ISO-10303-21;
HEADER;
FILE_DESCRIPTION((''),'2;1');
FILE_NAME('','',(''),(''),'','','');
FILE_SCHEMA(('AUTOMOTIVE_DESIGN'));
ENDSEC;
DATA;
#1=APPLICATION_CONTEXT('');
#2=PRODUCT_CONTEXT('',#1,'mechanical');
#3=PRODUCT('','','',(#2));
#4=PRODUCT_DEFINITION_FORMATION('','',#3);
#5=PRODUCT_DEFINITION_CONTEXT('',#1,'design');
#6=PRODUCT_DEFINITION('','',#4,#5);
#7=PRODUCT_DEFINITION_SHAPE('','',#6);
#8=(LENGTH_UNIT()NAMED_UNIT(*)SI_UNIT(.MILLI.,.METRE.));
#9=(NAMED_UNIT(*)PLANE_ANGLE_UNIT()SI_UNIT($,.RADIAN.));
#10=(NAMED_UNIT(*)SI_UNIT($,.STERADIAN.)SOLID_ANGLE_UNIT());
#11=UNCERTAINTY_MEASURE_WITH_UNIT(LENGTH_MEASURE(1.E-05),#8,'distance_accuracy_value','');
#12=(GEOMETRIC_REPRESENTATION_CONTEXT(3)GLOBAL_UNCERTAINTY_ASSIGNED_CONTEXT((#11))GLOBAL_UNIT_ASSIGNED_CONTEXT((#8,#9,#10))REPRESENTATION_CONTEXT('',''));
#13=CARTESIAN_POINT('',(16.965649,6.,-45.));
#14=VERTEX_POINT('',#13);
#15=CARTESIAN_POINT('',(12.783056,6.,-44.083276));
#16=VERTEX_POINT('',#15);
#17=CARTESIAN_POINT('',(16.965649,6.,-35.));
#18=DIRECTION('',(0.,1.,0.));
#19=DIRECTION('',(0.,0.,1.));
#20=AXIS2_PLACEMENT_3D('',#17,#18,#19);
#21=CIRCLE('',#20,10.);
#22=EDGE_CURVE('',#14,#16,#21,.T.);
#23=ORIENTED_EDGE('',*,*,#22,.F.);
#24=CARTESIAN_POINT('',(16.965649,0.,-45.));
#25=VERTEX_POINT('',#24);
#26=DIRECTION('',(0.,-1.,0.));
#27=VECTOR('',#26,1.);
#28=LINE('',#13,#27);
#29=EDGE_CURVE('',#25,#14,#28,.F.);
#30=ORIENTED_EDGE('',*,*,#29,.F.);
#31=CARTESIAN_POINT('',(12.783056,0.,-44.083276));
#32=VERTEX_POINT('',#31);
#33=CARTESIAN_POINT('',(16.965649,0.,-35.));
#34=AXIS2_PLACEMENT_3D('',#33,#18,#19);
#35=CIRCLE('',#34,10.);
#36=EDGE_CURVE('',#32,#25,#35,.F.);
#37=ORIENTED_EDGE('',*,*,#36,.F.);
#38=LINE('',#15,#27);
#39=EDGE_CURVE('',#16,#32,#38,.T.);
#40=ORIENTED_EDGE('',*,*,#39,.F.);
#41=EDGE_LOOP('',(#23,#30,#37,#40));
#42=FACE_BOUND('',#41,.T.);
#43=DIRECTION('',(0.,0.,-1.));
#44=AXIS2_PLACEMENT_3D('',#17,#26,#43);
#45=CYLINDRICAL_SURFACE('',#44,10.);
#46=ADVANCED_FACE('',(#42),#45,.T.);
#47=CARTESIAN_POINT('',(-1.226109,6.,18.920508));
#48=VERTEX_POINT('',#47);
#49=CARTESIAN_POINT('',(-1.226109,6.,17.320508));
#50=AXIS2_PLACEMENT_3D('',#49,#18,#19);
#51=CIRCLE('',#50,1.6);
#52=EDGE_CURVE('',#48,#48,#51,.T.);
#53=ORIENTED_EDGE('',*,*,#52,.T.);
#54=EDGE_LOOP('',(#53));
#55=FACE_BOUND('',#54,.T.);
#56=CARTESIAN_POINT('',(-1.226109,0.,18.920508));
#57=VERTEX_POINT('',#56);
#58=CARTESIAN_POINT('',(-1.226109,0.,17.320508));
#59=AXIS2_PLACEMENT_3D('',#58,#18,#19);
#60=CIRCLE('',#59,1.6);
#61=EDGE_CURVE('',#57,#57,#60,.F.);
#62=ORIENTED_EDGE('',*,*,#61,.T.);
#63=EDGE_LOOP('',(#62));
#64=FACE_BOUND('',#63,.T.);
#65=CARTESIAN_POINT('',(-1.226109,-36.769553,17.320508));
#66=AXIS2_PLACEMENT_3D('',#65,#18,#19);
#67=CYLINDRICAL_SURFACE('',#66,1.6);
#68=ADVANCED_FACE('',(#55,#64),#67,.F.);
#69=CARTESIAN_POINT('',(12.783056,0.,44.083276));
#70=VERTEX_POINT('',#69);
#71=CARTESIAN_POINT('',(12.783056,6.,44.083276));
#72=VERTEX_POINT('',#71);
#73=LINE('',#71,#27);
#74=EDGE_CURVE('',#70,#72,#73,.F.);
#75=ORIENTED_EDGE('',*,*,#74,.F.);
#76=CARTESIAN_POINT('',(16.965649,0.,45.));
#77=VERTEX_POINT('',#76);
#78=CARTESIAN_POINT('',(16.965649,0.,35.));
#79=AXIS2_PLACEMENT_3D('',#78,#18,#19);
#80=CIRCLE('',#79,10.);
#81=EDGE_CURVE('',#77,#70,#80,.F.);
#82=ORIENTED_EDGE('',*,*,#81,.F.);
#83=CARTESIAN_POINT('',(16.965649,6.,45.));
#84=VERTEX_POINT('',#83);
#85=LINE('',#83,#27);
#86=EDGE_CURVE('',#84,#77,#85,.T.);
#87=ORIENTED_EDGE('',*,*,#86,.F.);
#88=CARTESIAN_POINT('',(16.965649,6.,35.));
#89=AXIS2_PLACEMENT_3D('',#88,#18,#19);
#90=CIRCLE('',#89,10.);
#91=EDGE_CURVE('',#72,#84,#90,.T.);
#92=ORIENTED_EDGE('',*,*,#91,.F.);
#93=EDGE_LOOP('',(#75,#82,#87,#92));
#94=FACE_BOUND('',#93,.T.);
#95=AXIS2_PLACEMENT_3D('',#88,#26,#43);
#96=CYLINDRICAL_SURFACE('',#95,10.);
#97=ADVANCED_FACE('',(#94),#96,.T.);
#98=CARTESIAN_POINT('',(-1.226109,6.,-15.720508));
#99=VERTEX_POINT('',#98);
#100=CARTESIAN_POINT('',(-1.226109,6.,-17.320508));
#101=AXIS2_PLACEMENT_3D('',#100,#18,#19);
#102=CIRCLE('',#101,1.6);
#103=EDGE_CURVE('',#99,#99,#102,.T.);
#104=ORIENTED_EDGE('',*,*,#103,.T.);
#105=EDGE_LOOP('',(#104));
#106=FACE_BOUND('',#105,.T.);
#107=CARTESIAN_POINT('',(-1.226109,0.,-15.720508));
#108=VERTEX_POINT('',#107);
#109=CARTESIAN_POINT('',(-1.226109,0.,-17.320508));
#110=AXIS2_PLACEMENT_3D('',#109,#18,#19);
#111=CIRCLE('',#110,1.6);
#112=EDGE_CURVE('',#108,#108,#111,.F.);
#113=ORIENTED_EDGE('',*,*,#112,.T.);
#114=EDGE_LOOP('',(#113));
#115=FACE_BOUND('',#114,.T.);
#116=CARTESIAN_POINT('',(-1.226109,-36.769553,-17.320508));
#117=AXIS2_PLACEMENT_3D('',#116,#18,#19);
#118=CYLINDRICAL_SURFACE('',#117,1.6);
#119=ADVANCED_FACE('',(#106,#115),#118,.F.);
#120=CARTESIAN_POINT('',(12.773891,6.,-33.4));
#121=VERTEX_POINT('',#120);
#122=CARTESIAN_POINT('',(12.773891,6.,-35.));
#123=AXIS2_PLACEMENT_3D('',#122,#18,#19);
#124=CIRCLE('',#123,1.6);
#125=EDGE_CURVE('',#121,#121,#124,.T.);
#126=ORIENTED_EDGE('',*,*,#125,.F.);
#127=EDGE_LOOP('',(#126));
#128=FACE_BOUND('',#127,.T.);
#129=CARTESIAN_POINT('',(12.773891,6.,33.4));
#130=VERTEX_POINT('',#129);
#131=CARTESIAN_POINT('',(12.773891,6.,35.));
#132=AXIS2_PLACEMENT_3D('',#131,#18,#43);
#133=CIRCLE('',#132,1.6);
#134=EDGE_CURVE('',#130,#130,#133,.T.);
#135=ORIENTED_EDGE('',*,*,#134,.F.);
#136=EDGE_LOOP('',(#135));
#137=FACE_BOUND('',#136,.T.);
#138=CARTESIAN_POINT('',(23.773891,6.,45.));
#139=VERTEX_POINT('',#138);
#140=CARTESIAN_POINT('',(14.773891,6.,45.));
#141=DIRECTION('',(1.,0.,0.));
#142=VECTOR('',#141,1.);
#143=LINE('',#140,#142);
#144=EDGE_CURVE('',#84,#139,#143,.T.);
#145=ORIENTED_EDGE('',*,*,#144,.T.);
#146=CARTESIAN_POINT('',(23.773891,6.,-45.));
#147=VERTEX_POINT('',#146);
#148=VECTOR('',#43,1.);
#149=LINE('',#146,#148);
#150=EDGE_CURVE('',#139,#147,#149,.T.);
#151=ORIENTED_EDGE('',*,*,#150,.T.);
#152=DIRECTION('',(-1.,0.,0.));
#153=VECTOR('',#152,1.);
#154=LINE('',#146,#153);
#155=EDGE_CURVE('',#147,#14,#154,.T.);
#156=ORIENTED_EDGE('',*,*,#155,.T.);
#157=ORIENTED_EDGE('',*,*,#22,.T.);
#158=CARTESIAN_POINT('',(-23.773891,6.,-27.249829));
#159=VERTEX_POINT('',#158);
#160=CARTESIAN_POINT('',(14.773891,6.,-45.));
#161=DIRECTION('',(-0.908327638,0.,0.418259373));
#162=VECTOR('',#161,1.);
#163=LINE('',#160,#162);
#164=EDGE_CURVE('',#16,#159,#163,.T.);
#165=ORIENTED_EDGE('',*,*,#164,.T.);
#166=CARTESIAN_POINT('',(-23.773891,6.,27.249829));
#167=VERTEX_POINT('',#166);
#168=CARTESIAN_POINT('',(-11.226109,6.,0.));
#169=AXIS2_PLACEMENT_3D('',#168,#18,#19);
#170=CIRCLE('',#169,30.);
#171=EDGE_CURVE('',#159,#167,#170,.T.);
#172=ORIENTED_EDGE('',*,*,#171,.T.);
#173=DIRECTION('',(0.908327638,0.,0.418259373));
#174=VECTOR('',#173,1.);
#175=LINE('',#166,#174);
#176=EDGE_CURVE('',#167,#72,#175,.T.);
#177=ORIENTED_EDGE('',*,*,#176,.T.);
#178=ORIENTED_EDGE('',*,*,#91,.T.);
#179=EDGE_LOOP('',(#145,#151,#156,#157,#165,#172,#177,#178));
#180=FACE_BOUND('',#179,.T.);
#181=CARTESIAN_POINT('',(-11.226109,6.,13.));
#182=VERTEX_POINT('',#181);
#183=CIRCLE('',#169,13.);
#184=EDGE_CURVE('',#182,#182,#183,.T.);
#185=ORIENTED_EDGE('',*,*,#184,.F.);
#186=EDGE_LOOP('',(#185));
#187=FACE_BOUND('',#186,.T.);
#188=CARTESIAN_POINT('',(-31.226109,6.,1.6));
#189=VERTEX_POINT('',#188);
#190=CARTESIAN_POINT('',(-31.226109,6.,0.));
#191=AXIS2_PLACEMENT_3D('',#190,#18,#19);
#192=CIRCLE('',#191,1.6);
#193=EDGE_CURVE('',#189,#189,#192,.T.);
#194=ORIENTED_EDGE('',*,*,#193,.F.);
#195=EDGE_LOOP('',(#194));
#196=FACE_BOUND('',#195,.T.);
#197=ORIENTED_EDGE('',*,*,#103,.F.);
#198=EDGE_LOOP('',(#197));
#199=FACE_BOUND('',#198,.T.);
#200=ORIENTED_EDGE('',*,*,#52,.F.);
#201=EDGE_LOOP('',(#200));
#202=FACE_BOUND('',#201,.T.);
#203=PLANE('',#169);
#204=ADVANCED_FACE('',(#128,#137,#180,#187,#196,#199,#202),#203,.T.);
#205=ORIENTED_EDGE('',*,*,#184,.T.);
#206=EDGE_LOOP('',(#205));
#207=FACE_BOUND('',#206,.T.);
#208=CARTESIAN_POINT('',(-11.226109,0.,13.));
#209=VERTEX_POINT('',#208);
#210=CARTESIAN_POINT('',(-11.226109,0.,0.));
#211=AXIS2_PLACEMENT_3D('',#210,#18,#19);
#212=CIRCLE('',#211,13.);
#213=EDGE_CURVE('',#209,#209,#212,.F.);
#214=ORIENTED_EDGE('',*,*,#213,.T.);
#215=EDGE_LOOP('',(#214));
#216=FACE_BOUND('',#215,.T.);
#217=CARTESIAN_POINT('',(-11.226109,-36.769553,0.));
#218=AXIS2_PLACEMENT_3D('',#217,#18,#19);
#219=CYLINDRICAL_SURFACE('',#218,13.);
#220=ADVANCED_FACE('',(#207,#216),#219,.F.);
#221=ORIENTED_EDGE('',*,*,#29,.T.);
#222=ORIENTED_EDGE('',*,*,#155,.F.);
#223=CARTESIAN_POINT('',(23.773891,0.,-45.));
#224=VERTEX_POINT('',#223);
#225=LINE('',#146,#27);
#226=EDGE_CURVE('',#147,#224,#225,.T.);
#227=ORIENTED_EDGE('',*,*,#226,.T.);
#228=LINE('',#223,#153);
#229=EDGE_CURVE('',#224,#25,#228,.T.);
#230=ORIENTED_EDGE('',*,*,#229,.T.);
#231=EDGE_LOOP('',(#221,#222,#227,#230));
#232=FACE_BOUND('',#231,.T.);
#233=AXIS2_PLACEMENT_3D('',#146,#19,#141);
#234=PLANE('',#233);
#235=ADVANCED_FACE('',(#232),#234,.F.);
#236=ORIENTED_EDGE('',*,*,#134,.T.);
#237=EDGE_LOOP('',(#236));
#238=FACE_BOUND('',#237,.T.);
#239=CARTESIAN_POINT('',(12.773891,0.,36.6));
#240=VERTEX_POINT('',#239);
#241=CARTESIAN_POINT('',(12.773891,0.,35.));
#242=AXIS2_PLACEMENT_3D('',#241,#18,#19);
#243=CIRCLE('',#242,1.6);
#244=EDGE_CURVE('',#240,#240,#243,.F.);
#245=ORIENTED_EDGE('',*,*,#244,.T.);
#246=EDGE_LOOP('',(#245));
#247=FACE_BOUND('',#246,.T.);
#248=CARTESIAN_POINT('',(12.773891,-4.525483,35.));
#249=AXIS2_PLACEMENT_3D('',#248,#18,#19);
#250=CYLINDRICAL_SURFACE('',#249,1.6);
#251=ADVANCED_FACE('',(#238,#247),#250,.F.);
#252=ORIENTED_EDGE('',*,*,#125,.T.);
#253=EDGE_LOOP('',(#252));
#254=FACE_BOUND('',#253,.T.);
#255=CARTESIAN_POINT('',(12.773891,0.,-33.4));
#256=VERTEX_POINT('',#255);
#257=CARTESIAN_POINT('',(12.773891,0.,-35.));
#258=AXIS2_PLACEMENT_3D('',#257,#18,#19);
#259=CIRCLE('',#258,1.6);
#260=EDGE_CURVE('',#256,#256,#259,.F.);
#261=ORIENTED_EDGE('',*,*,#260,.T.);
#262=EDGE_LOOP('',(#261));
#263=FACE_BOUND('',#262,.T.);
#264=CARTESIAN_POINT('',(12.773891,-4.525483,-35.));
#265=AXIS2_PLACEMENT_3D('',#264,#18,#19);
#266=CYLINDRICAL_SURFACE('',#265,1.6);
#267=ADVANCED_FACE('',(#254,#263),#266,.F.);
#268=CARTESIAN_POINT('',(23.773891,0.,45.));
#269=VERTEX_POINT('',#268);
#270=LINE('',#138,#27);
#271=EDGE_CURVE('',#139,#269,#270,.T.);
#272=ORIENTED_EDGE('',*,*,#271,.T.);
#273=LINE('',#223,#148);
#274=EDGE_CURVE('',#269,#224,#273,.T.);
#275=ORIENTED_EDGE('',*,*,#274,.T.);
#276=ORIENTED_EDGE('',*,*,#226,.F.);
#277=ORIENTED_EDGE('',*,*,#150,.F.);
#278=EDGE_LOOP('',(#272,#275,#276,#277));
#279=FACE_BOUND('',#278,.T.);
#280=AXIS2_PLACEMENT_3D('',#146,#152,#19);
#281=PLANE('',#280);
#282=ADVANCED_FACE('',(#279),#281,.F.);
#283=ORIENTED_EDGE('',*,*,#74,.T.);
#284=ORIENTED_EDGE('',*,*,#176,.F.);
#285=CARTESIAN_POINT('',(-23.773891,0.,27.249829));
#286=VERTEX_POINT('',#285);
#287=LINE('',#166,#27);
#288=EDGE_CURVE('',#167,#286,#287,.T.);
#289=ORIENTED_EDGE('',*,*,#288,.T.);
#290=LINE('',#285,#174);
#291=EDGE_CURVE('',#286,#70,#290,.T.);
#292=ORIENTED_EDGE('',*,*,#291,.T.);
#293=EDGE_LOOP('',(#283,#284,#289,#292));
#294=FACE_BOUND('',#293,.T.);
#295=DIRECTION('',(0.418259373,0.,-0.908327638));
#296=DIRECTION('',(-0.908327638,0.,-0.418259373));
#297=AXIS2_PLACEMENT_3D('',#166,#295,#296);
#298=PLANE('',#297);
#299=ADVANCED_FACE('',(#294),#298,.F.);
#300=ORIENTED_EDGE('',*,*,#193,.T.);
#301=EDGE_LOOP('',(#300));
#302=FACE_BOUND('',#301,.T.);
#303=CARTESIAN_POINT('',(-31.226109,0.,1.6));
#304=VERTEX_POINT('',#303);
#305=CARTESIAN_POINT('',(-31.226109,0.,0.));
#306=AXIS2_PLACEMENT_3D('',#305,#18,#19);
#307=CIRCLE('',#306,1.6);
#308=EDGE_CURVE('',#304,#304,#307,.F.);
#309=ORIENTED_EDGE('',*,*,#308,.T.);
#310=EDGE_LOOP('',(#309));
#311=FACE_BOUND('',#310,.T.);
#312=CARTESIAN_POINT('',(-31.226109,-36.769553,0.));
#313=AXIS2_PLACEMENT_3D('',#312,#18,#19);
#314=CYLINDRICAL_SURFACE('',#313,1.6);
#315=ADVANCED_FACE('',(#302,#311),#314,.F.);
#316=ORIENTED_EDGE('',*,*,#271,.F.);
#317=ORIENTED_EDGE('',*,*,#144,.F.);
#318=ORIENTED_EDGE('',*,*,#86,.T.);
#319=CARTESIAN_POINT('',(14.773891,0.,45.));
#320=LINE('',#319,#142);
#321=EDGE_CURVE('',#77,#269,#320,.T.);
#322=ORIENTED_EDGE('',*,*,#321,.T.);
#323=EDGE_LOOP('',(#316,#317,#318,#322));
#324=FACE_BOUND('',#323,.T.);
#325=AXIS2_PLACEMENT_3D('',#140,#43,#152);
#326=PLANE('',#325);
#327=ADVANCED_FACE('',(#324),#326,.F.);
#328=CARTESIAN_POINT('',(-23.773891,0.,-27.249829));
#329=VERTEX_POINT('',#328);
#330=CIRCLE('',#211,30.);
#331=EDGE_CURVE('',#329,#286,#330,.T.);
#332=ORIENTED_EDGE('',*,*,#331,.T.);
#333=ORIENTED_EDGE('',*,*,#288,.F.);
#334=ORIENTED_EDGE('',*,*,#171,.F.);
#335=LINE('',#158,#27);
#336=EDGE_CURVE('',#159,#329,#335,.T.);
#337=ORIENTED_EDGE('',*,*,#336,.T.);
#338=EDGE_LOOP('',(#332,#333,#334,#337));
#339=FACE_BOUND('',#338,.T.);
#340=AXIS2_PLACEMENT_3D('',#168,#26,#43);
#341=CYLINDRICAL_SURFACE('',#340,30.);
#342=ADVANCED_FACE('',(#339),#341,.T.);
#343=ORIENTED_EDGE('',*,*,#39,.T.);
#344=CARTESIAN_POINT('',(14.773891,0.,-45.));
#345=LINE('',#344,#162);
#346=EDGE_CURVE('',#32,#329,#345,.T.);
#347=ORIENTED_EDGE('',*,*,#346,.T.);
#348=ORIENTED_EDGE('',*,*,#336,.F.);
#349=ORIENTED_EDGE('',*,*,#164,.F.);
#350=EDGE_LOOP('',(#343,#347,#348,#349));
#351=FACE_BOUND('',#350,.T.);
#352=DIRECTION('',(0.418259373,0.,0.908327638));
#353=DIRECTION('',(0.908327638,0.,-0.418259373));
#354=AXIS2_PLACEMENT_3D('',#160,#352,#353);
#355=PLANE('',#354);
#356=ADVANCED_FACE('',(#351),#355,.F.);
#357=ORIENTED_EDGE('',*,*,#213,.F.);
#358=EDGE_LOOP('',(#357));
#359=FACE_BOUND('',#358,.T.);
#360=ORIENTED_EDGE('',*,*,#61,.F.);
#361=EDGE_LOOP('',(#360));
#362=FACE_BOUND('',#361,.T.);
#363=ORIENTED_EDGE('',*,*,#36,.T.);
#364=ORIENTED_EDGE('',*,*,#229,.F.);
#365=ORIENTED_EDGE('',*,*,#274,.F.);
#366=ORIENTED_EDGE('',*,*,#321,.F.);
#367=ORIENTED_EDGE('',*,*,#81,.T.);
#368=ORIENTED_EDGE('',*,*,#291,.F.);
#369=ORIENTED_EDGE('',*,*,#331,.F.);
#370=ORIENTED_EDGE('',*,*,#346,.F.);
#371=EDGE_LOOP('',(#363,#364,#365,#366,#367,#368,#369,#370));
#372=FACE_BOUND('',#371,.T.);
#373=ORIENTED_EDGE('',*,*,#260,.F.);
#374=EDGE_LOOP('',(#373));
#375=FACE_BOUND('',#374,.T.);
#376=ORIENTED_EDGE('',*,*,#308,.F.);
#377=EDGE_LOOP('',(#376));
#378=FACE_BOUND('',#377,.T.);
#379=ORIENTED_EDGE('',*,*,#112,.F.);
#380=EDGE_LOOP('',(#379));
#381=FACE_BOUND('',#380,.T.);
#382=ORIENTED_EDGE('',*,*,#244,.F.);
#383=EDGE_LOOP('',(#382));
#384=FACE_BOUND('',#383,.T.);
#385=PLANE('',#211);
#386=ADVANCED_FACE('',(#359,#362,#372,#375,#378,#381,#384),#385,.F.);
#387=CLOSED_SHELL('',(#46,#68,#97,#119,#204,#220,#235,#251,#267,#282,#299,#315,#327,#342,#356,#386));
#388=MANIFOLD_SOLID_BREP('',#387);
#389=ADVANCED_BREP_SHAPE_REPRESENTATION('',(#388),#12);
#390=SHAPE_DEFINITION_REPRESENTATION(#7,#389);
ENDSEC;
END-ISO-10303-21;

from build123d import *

# Parameters (mm, degrees)
EXTRUDE_1_DEPTH     = 6
SKETCH_2_R          = 13
SKETCH_2_R_2        = 1.6
CUT_EXTRUDE_1_DEPTH = 6
FILLET_1_R          = 10
SKETCH_3_R          = 1.6
CUT_EXTRUDE_2_DEPTH = 6


with BuildPart() as part:
    # 草图1 → 凸台-拉伸1 (new body)
    with BuildSketch(Plane(origin=(0, 0, 0), x_dir=(1, 0, 0), z_dir=(0, 1, 0))):
        with BuildLine():
            Line((23.77389059, 45), (23.77389059, -45))
            Line((23.77389059, -45), (14.77389059, -45))
            Line((14.77389059, -45), (-23.77389059, -27.249829127))
            ThreePointArc((-23.77389059, -27.249829127), (-41.22610941, 0), (-23.77389059, 27.249829127))
            Line((-23.77389059, 27.249829127), (14.77389059, 45))
            Line((14.77389059, 45), (23.77389059, 45))
        make_face()
    extrude(amount=EXTRUDE_1_DEPTH)

    # 草图2 → 切除-拉伸1 (cut)
    with BuildSketch(Plane(origin=(0, 6, 0), x_dir=(1, 0, 0), z_dir=(0, 1, 0))):
        with Locations(Location((-11.22610941, 0, 0), (0, 0, 270))):
            Circle(SKETCH_2_R)
        with Locations(Location((-31.22610941, 0, 0), (0, 0, 270))):
            Circle(SKETCH_2_R_2)
        with Locations(Location((-1.22610941, -17.320508076, 0), (0, 0, 270))):
            Circle(SKETCH_2_R_2)
        with Locations(Location((-1.22610941, 17.320508076, 0), (0, 0, 270))):
            Circle(SKETCH_2_R_2)
    extrude(amount=-CUT_EXTRUDE_1_DEPTH, mode=Mode.SUBTRACT)

    # 圆角1
    fillet_1_edges = [part.edges().sort_by_distance(p)[0] for p in [
        (14.77389059, 3, -45),
        (14.77389059, 3, 45),
    ]]
    fillet(fillet_1_edges, radius=FILLET_1_R)

    # 草图3 → 切除-拉伸2 (cut)
    with BuildSketch(Plane(origin=(0, 6, 0), x_dir=(1, 0, 0), z_dir=(0, 1, 0))):
        with Locations(Location((12.77389059, 35, 0), (0, 0, 270))):
            Circle(SKETCH_3_R)
        with Locations(Location((12.77389059, -35, 0), (0, 0, 270))):
            Circle(SKETCH_3_R)
    extrude(amount=-CUT_EXTRUDE_2_DEPTH, mode=Mode.SUBTRACT)


solid = part.part
